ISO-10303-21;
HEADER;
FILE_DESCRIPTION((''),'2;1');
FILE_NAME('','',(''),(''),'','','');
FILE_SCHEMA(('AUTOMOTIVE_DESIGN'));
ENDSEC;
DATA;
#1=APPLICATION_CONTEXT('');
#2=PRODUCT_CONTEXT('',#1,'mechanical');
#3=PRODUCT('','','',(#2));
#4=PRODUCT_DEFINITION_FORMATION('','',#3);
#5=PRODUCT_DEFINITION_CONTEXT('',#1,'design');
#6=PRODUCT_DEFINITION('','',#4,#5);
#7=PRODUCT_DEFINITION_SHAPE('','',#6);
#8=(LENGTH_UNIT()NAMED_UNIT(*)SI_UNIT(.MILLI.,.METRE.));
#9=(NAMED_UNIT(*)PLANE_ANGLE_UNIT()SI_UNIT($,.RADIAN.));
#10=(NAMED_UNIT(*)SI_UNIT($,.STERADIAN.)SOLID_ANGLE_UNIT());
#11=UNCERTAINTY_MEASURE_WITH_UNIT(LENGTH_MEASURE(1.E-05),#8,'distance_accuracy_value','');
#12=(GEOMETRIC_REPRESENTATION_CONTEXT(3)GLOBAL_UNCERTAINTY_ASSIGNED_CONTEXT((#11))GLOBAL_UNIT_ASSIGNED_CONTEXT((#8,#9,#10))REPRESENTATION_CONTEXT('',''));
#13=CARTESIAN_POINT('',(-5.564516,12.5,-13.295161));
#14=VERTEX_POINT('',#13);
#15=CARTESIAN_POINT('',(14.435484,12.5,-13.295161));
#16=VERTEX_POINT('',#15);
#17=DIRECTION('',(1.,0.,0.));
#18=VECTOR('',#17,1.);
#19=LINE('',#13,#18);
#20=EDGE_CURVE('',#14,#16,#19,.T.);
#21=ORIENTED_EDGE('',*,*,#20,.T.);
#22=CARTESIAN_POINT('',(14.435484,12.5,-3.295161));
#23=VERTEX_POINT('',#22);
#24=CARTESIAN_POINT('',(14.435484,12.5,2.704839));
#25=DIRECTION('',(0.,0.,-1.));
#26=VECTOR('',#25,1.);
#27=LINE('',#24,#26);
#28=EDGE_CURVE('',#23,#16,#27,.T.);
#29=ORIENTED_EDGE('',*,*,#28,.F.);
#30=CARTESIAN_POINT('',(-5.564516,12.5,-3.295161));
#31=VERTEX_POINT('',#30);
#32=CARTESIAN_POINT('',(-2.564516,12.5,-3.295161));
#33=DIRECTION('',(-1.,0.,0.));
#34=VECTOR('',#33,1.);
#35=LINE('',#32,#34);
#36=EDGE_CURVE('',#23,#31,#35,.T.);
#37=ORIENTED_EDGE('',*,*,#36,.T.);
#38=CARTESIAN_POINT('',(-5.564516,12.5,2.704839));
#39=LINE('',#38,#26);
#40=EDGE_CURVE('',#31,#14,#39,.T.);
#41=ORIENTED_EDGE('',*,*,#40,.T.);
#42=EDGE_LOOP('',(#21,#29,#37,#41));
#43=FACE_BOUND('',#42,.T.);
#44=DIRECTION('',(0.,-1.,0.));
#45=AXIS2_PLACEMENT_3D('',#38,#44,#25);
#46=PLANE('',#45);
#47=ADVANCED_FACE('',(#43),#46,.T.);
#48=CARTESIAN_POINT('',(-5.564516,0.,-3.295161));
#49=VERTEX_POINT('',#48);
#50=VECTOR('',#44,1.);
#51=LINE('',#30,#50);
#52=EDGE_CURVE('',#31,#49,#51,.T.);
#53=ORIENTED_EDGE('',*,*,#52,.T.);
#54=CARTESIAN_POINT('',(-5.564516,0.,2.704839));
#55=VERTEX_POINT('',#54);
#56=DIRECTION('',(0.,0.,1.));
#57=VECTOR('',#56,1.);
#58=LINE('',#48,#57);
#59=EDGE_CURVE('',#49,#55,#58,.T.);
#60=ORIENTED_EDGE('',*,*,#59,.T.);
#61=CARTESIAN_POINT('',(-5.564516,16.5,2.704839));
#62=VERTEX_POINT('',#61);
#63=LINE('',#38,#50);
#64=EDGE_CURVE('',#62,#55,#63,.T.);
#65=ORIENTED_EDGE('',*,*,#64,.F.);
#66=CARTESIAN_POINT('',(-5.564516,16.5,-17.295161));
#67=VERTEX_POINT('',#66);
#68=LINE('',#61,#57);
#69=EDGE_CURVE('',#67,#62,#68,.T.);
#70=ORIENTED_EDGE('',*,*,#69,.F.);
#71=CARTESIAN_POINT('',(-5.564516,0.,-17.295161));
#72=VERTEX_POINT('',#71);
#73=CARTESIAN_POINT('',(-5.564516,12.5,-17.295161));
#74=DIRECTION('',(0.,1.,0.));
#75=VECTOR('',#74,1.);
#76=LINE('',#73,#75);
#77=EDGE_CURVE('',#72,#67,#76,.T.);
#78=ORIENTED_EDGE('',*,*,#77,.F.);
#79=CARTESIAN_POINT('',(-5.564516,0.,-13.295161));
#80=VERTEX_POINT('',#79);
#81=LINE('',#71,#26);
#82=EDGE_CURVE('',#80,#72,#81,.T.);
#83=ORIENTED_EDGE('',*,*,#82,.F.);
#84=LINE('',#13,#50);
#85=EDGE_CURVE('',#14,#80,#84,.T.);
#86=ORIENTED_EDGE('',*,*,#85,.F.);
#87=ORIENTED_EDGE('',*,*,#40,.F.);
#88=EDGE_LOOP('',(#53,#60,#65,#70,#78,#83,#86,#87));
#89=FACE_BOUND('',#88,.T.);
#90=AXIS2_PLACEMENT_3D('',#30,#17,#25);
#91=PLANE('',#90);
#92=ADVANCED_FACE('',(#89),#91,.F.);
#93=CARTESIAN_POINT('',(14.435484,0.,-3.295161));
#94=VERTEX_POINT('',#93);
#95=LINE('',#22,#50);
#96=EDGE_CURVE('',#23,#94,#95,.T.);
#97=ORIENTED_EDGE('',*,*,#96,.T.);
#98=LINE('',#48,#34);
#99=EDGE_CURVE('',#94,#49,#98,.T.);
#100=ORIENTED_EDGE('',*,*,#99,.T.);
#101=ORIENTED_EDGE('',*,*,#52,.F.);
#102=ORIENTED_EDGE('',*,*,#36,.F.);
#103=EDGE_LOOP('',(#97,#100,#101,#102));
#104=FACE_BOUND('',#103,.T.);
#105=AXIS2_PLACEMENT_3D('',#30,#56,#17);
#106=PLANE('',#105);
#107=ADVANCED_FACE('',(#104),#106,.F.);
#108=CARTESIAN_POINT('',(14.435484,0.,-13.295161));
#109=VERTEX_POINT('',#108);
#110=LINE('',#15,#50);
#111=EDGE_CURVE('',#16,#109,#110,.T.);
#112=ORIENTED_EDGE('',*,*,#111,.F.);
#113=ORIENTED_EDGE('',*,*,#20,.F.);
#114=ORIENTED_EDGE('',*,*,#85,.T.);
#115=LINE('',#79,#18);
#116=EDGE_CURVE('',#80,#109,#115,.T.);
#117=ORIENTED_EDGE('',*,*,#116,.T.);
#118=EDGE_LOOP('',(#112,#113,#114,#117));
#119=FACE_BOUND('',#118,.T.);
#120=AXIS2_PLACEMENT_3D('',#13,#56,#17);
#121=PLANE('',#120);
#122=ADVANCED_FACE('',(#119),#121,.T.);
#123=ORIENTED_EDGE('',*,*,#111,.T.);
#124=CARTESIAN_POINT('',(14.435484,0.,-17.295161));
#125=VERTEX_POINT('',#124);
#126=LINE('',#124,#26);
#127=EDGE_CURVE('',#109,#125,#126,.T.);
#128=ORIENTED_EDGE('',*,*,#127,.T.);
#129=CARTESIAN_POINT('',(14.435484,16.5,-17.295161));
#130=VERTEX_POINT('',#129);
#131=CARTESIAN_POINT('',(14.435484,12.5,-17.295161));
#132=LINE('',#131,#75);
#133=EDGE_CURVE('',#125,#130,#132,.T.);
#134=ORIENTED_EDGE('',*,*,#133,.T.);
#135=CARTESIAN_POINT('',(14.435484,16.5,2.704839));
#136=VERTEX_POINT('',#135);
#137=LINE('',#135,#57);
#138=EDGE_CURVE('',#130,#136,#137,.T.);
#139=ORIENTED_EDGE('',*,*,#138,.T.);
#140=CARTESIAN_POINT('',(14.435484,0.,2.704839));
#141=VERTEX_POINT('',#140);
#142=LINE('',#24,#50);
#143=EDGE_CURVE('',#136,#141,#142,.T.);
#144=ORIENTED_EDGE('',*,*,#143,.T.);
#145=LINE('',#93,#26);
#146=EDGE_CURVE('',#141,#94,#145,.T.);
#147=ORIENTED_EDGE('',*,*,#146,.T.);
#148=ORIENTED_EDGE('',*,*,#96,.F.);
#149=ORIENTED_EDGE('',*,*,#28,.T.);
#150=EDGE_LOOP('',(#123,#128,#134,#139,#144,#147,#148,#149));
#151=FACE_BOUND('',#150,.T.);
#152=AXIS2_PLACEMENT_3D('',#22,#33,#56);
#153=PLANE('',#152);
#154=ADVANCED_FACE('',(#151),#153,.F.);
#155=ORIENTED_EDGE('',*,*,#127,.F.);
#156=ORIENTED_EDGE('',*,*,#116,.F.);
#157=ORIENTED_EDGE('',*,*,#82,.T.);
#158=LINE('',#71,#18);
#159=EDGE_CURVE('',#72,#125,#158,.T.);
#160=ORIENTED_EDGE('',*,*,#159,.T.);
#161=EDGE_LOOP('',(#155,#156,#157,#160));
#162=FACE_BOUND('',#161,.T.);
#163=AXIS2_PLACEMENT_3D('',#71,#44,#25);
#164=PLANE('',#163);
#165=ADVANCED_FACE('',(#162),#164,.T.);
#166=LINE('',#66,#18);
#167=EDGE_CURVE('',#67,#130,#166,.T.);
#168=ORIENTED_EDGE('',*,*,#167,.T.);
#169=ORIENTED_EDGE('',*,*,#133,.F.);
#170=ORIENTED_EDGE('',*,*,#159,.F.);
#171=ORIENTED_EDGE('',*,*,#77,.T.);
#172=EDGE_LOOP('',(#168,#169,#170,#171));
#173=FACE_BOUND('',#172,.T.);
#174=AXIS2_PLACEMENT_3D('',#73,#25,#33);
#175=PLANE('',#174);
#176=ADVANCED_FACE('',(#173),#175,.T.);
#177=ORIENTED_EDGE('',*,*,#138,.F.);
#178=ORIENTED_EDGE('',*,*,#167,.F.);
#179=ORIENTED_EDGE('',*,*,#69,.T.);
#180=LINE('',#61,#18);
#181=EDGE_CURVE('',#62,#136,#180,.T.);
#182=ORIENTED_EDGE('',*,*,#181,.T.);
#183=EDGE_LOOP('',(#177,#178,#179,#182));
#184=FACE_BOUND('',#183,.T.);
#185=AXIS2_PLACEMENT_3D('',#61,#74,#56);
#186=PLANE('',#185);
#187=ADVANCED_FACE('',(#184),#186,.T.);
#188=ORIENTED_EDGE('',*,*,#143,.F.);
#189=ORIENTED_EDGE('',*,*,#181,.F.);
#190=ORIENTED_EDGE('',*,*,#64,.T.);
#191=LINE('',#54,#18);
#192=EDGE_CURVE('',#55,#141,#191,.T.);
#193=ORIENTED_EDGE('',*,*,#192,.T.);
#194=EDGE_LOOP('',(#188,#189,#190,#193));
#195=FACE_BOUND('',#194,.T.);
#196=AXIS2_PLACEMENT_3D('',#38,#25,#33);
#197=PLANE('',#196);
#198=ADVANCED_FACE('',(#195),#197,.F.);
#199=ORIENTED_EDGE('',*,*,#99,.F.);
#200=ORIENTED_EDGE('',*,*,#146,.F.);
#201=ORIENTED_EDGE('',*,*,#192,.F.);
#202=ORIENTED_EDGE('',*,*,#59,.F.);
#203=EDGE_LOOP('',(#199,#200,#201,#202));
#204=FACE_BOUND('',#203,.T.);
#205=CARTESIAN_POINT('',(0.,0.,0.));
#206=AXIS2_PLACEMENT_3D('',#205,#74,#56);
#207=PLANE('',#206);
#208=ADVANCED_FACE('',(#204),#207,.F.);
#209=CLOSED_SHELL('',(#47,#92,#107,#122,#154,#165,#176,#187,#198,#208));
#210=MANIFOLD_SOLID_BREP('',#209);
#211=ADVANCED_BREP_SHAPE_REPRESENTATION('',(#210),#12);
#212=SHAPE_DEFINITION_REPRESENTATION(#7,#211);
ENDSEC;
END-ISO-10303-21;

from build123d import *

# Parameters (mm, degrees)
BOSS_EXTRUDE1_DEPTH = 12.5
BOSS_EXTRUDE4_DEPTH = 20


with BuildPart() as part:
    # Sketch1 → Boss-Extrude1 (new body)
    with BuildSketch(Plane(origin=(0, 0, 0), x_dir=(1, 0, 0), z_dir=(0, 1, 0))):
        Polygon((-2.564516129, 3.29516129), (14.435483871, 3.29516129), (14.435483871, -2.70483871), (-5.564516129, -2.70483871), (-5.564516129, 3.29516129), (-4.064516129, 3.29516129), align=None)
    extrude(amount=BOSS_EXTRUDE1_DEPTH)

    # Sketch2 → Boss-Extrude4 (add)
    with BuildSketch(Plane(origin=(14.435483871, 0, 0), x_dir=(0, 0, -1), z_dir=(1, 0, 0))):
        Polygon((-2.70483871, 12.5), (13.29516129, 12.5), (13.29516129, 0), (17.29516129, 0), (17.29516129, 12.5), (17.29516129, 16.5), (-2.70483871, 16.5), align=None)
    extrude(amount=-BOSS_EXTRUDE4_DEPTH)


solid = part.part
